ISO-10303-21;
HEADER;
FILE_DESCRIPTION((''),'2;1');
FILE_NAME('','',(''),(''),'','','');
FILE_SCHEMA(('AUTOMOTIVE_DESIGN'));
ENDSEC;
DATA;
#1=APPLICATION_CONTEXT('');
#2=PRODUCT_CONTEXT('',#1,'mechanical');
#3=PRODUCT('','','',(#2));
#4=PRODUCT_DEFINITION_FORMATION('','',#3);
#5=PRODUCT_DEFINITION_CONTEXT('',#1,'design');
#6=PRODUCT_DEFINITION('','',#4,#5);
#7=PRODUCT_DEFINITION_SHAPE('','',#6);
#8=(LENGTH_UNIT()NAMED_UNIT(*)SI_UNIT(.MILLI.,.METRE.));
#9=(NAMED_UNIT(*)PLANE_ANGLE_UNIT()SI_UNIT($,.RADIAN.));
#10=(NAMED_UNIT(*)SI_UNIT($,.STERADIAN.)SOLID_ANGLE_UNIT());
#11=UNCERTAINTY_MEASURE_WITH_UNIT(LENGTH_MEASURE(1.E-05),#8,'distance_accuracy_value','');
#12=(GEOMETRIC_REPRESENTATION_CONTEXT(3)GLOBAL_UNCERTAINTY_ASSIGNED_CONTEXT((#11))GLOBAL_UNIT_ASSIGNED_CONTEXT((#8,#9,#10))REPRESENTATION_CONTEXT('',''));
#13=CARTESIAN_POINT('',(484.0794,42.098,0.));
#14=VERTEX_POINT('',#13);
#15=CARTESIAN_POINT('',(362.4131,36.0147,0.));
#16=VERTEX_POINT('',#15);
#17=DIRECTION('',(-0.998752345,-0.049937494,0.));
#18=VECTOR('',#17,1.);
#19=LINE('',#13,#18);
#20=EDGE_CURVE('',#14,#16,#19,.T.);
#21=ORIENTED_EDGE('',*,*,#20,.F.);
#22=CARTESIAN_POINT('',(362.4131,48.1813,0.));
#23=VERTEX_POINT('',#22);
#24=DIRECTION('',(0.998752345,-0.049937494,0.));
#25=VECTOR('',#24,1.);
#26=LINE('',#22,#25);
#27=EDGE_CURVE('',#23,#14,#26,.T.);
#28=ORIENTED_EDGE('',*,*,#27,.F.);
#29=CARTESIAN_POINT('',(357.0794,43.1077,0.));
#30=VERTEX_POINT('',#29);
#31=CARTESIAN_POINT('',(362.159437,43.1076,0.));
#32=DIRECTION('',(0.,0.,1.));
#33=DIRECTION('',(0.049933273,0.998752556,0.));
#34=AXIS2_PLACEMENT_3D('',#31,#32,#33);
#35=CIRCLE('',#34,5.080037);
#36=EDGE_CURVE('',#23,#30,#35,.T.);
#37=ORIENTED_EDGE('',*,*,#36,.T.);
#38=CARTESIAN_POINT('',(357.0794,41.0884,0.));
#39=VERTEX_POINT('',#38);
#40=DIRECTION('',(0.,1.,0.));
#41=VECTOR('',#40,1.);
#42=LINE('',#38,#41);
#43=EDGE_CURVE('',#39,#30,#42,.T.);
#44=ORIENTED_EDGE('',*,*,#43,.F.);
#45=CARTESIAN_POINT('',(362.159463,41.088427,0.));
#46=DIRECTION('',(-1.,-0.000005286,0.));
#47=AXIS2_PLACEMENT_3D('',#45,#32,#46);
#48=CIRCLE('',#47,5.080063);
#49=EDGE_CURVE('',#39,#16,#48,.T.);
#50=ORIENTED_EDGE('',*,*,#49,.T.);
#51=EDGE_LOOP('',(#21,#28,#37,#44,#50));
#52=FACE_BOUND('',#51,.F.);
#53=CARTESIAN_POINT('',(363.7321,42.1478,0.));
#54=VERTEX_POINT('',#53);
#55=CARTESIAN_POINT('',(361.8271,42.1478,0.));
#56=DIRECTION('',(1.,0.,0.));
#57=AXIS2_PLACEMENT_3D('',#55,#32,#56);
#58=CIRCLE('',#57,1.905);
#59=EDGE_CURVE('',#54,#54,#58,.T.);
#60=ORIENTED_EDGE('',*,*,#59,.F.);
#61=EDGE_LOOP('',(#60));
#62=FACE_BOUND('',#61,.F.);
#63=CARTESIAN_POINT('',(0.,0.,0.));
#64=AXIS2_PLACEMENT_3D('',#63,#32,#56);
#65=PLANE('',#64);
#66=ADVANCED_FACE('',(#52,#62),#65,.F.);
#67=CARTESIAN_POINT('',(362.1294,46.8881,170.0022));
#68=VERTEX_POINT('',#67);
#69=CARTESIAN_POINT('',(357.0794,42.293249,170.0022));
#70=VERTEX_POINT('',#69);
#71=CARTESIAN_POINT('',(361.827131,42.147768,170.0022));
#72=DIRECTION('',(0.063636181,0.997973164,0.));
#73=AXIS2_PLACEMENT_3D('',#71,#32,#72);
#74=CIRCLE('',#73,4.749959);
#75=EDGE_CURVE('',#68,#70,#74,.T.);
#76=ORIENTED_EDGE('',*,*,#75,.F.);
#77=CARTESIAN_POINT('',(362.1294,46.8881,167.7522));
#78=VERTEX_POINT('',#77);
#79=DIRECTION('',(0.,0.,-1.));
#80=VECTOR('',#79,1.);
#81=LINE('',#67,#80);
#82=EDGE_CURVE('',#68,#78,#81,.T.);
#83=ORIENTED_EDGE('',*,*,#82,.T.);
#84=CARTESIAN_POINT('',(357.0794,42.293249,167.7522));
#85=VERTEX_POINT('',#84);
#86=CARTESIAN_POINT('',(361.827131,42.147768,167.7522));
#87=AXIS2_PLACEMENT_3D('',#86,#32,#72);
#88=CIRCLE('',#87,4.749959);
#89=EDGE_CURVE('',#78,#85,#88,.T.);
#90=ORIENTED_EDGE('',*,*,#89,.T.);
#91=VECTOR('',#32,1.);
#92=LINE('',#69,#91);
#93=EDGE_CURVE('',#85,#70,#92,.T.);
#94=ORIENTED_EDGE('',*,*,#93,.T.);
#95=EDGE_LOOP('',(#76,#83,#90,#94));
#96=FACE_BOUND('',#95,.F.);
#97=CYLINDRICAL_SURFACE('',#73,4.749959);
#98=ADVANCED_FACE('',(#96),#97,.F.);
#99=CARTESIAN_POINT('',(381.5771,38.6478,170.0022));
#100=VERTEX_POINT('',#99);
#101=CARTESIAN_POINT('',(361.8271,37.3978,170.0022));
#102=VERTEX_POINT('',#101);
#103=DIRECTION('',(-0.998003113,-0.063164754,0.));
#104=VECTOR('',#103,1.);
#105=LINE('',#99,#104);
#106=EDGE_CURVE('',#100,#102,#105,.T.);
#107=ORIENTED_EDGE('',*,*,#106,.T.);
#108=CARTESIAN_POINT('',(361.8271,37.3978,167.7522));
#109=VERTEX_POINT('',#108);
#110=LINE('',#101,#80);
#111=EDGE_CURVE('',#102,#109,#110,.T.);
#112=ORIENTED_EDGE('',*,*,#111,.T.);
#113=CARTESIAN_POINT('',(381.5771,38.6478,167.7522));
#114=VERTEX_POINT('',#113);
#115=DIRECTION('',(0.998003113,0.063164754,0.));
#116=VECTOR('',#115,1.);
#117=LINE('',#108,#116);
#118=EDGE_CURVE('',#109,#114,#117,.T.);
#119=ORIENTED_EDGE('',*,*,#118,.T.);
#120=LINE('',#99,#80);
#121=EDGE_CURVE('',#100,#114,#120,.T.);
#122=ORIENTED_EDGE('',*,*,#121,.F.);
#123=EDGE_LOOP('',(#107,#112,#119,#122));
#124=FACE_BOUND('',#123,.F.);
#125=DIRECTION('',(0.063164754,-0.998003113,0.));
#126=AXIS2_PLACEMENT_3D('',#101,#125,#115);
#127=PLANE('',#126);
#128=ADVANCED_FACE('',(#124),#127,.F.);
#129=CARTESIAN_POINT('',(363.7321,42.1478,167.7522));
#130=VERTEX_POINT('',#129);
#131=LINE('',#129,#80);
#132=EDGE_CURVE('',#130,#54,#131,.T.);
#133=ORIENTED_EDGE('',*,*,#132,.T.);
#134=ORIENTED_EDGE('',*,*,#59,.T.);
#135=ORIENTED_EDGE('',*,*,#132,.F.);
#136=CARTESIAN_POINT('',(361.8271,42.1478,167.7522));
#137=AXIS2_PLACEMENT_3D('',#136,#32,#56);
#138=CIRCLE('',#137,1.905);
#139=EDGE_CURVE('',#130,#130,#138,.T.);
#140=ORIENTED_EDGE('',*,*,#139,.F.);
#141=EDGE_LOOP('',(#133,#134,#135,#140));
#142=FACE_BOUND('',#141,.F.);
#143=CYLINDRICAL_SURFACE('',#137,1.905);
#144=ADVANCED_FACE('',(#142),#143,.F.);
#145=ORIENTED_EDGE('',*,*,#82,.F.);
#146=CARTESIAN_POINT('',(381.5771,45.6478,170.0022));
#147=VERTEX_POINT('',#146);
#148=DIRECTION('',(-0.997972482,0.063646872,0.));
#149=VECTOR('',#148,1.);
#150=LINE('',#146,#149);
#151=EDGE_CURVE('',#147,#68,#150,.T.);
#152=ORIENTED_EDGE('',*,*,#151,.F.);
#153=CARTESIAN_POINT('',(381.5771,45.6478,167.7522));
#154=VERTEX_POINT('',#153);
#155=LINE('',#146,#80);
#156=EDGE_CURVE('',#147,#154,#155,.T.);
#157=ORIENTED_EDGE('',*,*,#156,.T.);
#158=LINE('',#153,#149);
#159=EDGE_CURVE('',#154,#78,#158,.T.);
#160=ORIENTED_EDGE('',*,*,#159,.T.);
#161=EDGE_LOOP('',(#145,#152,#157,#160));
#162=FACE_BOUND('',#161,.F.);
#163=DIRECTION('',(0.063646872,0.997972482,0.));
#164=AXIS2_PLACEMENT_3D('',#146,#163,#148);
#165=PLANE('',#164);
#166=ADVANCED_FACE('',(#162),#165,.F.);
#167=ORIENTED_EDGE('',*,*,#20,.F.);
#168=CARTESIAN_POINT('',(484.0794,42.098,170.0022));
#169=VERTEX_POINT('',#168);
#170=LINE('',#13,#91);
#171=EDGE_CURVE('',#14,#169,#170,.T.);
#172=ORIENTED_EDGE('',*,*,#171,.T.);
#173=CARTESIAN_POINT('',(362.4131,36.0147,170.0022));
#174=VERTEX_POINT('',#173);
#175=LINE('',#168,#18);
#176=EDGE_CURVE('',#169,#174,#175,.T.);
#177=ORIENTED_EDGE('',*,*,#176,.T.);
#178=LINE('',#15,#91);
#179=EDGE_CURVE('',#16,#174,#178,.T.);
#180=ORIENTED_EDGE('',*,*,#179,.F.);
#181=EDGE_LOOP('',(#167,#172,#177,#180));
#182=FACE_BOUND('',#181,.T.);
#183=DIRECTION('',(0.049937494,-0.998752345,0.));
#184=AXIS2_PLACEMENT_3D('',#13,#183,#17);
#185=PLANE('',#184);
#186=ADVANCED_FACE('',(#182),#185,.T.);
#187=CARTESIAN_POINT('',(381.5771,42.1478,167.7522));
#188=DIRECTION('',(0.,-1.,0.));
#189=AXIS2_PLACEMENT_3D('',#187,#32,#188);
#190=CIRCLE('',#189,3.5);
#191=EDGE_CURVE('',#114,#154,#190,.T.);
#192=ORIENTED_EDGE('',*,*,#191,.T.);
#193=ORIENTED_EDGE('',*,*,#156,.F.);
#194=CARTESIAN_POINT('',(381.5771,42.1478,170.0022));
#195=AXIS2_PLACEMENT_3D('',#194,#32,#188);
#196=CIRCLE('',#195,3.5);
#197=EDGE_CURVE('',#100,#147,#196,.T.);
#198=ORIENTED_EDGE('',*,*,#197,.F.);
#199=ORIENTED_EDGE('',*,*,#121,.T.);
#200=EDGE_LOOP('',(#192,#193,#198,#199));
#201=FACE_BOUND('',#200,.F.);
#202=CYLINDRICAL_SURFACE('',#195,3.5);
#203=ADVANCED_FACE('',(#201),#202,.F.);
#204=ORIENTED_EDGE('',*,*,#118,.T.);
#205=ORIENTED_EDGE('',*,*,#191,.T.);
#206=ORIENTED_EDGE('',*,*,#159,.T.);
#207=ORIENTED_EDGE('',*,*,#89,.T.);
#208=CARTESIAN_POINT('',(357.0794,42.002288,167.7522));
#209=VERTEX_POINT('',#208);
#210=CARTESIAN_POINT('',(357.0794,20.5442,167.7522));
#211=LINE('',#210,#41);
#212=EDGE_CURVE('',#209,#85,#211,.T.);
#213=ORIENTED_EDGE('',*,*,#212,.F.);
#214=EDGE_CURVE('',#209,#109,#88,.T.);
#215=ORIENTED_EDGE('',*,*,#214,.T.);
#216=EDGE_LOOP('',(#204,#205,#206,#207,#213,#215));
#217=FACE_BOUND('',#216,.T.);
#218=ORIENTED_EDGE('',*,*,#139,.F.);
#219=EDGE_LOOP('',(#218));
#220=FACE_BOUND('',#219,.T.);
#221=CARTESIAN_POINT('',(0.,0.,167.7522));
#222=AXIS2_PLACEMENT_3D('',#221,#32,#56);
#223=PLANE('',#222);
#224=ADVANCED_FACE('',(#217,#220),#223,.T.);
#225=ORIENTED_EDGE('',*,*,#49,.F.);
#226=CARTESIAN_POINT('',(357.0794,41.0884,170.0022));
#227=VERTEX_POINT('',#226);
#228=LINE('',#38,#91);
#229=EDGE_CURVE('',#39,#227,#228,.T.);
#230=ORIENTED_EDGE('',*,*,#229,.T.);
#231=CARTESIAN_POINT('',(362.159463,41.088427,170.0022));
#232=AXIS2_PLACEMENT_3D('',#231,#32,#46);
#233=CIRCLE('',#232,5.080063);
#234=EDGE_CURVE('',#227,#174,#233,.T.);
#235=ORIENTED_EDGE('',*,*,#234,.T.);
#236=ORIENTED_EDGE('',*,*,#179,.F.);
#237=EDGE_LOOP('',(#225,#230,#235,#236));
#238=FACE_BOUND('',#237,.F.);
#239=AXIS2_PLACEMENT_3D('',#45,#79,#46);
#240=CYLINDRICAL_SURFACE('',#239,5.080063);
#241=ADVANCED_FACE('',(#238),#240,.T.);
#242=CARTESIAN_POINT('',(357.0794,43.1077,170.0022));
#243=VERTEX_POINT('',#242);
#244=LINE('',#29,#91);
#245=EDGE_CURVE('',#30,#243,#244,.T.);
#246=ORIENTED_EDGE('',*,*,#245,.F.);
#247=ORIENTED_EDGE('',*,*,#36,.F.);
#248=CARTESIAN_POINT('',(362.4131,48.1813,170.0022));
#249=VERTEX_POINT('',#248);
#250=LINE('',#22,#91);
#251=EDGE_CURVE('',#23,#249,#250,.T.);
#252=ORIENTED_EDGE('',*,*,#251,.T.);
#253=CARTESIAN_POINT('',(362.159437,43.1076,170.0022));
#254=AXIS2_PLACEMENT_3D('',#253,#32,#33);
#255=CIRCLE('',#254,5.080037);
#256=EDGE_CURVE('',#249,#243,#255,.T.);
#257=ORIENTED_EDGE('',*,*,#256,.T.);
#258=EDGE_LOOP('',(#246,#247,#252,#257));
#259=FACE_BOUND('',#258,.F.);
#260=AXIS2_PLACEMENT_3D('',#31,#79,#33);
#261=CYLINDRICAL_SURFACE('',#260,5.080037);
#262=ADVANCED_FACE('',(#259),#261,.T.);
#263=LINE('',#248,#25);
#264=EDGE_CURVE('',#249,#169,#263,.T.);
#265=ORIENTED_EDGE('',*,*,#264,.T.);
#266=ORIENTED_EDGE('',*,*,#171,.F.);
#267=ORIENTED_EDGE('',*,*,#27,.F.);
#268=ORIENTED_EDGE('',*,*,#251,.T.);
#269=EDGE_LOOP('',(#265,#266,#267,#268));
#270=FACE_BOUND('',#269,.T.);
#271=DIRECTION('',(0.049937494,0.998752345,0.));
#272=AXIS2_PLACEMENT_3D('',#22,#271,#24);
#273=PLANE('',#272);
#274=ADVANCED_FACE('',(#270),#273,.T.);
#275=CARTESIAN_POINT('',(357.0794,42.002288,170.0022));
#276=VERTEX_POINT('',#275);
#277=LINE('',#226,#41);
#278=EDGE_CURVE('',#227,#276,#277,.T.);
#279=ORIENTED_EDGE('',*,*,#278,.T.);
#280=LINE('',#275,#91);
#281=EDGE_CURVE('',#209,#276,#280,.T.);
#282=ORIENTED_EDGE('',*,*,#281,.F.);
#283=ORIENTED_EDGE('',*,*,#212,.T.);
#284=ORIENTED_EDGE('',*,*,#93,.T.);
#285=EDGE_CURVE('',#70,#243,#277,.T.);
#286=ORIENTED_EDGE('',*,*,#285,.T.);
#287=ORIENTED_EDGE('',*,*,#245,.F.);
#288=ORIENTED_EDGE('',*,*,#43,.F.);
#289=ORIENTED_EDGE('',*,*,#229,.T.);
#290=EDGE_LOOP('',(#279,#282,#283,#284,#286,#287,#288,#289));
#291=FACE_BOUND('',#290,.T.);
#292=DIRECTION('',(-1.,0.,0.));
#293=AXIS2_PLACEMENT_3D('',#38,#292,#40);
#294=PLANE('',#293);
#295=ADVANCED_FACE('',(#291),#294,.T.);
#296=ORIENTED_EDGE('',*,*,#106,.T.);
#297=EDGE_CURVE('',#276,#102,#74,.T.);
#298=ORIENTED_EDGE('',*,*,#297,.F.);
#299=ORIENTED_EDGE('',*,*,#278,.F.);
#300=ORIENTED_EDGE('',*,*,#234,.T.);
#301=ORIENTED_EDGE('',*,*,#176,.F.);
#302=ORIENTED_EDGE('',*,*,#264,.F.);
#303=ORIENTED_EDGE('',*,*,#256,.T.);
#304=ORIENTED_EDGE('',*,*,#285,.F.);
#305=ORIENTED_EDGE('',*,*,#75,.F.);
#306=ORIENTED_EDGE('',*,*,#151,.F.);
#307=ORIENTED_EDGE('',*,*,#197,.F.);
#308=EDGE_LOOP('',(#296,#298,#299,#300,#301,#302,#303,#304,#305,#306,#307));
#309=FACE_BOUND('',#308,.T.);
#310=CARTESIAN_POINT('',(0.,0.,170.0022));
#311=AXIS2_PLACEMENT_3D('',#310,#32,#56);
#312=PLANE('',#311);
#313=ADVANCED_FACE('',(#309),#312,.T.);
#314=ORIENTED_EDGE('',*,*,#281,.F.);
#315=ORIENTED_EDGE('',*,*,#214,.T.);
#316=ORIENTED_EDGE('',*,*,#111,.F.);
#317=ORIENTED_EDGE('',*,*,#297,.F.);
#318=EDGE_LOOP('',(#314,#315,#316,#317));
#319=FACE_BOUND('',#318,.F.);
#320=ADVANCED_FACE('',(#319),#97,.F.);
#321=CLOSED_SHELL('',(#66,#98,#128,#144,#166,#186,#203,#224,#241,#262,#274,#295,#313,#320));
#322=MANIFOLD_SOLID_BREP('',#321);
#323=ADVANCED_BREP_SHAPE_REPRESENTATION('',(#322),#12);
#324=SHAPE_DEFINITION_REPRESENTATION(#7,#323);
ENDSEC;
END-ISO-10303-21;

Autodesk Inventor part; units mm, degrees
ref_plane "YZ Plane" through (0, 0, 0) normal (1, 0, 0) x (0, 1, 0)
ref_plane "XZ Plane" through (0, 0, 0) normal (0, 1, 0) x (-1, 0, 0)
ref_plane "XY Plane" through (0, 0, 0) normal (0, 0, 1) x (1, 0, 0)
sketch "Sketch1" plane through (0, 0, 0) normal (0, 0, 1) x (1, 0, 0)
  line L0 (357.0794, 41.0884) -> (357.0794, 43.1077)
  line L1 (362.4131, 48.1813) -> (484.0794, 42.098)
  line L2 (484.0794, 42.098) -> (362.4131, 36.0147)
  arc A0 (362.4131, 48.1813) -> (357.0794, 43.1077) centre (362.1594, 43.1077) ccw
  arc A1 (357.0794, 41.0884) -> (362.4131, 36.0147) centre (362.1594, 41.0884) ccw
  point P0 (357.0794, 35.748)
  point P1 (357.0794, 48.448)
  dimension "d0" = 127
  dimension "d1" = 12.7
  dimension "d2" = 5.08
extrude "Extrusion1" add sketch "Sketch1" along normal blind 170.0022
sketch "Sketch2" plane through (0, 0, 170.0022) normal (0, 0, 1) x (1, 0, 0)
  arc A0 (362.1294, 46.8881) -> (362.4259, 37.4357) centre (361.8271, 42.1478) ccw
  arc A1 (381.5771, 38.6478) -> (381.5771, 45.6478) centre (381.5771, 42.1478) ccw
  arc A2 (381.5771, 38.6478) -> (381.5771, 45.6478) centre (381.5771, 42.1478) ccw
  line L0 (361.8271, 37.3978) -> (381.5771, 38.6478)
  line L1 (381.5771, 45.6478) -> (362.1294, 46.8881)
  point P0 (0, 0)
  point P1 (367.7181, 34.9628)
  point P2 (367.4202, 34.9628)
  point P3 (357.0794, 41.9988)
  point P4 (356.8779, 76.4339)
  point P5 (354.6232, 35.4991)
  point P6 (354.3254, 35.4991)
extrude "Extrusion2" cut sketch "Sketch2" against normal blind 2.25 contours L1 A1 L0 A0
sketch "Sketch3" plane through (0, 0, 167.7522) normal (0, 0, 1) x (1, 0, 0)
  line L0 (357.0794, 41.9988) -> (357.0794, 42.2967) projected
  arc A0 (357.0794, 41.9988) -> (361.8271, 37.3978) centre (361.8271, 42.1478) ccw projected
  line L1 (381.5771, 38.6478) -> (361.8271, 37.3978) projected
  arc A1 (381.5771, 38.6478) -> (381.5771, 45.6478) centre (381.5771, 42.1478) ccw projected
  line L2 (362.1294, 46.8881) -> (381.5771, 45.6478) projected
  arc A2 (362.1294, 46.8881) -> (357.0794, 42.2967) centre (361.8271, 42.1478) ccw projected
  circle A3 centre (361.8271, 42.1478) radius 1.905
  point P0 (0, 0)
  dimension "d7" = 3.81
extrude "Extrusion3" cut sketch "Sketch3" against normal blind 170.18 contours A3
properties part number "ElevatorV2"
